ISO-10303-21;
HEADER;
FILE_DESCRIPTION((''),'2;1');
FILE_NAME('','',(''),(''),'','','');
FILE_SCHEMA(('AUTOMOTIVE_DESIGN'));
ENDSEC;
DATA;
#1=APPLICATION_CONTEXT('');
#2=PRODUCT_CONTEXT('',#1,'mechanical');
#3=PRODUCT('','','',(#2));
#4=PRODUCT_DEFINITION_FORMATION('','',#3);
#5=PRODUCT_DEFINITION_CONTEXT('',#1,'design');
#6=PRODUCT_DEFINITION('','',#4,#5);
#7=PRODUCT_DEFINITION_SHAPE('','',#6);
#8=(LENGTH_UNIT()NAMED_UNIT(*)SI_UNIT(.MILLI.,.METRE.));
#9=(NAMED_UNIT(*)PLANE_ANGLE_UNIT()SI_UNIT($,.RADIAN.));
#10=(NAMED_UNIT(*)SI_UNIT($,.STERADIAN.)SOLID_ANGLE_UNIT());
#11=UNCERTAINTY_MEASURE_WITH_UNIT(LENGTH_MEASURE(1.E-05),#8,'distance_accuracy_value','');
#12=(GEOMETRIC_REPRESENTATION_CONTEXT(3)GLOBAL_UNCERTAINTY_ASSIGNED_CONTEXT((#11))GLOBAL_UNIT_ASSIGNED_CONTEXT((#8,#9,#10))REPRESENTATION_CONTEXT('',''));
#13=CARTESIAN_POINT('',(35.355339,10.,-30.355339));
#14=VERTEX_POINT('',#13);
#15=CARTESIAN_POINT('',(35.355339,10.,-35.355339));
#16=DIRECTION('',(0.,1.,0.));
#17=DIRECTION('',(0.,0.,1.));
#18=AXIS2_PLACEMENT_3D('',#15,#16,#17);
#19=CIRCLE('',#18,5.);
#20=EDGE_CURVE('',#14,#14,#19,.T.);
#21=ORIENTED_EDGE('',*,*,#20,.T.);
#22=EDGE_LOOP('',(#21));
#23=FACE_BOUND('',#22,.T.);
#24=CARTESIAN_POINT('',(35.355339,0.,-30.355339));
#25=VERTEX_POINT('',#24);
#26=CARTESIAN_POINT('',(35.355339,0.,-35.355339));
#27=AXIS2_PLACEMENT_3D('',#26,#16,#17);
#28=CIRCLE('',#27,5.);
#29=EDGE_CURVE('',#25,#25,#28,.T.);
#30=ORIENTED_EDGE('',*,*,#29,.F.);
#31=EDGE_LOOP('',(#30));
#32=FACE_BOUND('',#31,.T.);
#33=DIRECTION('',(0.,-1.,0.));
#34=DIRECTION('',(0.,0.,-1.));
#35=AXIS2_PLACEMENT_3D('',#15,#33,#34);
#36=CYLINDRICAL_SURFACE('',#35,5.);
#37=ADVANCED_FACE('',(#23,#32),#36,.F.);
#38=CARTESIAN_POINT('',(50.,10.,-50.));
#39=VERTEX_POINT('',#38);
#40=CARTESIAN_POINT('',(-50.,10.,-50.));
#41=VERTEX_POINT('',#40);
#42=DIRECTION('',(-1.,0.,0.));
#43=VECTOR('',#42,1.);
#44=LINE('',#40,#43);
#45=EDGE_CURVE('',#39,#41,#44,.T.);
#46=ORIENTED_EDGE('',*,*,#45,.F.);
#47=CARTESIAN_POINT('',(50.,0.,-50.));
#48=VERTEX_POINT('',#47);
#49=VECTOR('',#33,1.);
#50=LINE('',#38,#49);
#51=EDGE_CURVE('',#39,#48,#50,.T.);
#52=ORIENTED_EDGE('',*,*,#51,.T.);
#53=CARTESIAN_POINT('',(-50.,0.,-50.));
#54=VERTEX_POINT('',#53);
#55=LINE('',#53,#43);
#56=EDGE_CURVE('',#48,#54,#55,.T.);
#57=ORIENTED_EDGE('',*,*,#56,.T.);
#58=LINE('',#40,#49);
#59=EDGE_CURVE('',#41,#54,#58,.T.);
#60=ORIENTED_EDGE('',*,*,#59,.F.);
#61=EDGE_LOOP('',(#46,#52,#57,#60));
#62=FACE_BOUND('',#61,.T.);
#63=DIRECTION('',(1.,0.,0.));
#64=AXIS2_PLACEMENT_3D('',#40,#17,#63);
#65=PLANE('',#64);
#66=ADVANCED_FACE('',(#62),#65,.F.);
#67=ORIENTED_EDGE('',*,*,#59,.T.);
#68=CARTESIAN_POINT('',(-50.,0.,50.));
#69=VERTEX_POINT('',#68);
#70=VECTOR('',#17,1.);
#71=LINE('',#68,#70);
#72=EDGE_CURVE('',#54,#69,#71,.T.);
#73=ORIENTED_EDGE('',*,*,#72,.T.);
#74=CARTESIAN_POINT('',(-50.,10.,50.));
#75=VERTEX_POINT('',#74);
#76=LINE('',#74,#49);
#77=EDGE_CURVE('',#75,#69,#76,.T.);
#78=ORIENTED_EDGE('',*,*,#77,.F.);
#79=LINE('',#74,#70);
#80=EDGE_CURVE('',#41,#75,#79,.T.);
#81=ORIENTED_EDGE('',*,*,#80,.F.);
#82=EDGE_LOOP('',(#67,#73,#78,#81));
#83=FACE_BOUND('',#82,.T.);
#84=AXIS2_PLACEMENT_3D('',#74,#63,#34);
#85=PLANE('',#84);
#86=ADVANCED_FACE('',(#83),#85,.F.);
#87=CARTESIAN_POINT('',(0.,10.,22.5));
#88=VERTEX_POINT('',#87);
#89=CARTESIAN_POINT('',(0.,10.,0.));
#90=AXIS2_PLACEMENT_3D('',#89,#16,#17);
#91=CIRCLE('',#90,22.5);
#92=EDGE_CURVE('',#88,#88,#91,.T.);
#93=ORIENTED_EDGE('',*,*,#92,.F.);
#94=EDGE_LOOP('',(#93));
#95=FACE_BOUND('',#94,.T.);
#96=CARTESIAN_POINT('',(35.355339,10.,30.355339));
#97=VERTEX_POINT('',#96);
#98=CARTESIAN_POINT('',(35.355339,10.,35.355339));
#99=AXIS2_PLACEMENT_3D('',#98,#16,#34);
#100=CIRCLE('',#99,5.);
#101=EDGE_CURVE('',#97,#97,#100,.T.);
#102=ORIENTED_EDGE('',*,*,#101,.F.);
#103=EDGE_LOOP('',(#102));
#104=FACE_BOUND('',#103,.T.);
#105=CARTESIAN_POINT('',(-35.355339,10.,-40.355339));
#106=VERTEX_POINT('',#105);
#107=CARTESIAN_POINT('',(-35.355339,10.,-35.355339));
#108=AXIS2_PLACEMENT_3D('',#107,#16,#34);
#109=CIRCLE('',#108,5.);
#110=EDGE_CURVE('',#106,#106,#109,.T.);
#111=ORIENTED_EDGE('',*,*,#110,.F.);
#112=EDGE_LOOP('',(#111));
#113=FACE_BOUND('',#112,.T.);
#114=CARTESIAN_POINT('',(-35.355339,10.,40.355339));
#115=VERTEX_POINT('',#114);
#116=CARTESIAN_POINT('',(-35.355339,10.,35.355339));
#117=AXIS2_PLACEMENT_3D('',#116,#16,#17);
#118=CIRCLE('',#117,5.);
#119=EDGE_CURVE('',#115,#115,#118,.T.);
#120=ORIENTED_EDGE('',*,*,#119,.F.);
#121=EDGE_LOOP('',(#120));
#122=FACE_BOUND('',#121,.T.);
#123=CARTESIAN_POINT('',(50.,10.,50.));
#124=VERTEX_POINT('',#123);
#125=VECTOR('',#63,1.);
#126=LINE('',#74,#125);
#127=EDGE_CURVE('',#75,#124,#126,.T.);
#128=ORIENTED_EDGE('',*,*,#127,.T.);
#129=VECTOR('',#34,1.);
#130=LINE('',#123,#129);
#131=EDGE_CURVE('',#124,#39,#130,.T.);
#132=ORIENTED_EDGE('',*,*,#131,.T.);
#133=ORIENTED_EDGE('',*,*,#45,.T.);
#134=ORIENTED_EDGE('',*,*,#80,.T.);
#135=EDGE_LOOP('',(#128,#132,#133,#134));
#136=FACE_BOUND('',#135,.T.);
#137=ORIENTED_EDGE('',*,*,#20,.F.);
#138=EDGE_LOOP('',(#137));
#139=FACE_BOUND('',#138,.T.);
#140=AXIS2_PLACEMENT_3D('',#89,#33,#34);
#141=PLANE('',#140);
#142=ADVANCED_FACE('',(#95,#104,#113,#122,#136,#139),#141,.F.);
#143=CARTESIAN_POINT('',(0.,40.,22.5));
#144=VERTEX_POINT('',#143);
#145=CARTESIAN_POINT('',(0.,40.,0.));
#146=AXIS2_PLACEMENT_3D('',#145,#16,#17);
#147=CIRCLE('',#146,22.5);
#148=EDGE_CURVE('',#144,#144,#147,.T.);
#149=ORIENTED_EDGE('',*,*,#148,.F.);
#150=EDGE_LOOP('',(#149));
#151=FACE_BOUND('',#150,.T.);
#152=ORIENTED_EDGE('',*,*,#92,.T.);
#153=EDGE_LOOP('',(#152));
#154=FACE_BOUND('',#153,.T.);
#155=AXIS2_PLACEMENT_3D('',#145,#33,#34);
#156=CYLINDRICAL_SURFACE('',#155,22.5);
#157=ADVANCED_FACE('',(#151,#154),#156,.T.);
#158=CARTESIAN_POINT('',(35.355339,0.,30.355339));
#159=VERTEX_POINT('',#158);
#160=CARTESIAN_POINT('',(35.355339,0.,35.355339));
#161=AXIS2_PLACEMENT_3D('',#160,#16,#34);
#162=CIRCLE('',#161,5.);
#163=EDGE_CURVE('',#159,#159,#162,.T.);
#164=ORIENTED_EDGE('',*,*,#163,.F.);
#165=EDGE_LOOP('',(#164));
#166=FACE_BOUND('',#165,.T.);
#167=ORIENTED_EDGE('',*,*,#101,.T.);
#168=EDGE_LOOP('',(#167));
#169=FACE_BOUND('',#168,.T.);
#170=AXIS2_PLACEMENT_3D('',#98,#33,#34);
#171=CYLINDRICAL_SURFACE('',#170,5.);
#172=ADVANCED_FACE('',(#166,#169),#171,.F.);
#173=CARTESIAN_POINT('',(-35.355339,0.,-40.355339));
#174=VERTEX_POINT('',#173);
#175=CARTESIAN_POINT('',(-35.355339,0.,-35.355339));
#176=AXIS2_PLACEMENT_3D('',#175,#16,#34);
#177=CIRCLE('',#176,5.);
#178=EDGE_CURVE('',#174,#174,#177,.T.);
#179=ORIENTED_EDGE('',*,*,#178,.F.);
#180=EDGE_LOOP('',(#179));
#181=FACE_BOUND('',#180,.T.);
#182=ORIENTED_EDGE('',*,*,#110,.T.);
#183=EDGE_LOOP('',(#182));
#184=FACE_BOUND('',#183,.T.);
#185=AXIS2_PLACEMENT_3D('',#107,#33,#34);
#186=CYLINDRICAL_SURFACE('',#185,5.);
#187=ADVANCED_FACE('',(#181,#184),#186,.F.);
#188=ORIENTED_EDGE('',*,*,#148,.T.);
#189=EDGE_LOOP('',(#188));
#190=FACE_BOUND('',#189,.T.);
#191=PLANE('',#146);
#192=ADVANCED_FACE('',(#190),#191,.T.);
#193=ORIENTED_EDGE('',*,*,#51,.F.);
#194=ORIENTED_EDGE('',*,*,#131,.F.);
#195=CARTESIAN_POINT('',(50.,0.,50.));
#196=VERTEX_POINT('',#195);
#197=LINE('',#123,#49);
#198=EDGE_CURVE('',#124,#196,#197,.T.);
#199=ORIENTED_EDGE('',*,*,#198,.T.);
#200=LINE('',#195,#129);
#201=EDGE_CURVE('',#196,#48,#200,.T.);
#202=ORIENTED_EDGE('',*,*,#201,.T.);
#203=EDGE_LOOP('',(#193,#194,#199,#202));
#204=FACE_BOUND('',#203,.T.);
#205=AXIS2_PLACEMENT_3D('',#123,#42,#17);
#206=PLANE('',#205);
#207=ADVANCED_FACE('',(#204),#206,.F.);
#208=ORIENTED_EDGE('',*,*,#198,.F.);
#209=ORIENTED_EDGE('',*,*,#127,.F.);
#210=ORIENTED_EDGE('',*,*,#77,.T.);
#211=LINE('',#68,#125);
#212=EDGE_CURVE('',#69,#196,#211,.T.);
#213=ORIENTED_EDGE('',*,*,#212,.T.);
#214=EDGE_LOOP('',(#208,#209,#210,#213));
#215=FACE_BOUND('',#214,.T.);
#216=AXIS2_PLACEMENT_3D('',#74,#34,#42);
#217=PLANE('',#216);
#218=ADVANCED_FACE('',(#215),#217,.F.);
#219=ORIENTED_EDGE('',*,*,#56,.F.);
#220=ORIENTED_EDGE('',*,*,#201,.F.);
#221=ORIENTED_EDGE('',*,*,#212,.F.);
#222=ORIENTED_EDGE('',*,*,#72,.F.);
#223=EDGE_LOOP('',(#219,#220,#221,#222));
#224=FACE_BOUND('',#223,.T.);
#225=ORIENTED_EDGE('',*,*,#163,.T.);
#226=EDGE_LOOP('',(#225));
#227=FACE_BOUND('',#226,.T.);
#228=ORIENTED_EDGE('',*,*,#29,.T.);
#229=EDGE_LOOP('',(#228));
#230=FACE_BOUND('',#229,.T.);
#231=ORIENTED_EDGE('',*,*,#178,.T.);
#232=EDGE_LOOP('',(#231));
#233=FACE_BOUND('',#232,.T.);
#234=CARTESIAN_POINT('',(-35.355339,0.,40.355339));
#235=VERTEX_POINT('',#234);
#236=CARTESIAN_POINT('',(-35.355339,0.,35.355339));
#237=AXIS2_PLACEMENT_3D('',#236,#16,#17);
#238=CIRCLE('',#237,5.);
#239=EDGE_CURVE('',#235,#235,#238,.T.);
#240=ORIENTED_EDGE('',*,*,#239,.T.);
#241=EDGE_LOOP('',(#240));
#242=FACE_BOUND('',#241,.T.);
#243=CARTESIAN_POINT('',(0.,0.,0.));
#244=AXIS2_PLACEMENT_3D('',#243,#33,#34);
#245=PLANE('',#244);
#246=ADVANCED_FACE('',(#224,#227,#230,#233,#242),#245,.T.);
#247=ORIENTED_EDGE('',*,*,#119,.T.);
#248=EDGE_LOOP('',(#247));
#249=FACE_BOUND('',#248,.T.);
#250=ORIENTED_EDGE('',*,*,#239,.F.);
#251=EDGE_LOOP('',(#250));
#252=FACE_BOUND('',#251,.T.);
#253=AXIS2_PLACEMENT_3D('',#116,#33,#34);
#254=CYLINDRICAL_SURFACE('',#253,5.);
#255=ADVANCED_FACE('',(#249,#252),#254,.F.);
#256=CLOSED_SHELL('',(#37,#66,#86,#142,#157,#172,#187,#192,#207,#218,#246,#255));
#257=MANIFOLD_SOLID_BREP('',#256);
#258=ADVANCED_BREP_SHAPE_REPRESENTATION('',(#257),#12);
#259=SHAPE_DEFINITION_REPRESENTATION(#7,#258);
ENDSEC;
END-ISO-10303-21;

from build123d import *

# Parameters (mm, degrees)
SKETCH1_W           = 100
SKETCH1_H           = 100
SKETCH1_R           = 5
BOSS_EXTRUDE1_DEPTH = 10
SKETCH2_R           = 22.5
BOSS_EXTRUDE2_DEPTH = 30


with BuildPart() as part:
    # Sketch1 → Boss-Extrude1 (new body)
    with BuildSketch(Plane(origin=(0, 0, 0), x_dir=(1, 0, 0), z_dir=(0, 1, 0))):
        Rectangle(SKETCH1_W, SKETCH1_H)
        with Locations(Location((35.355339059, 35.355339059, 0), (0, 0, 270))):
            Circle(SKETCH1_R, mode=Mode.SUBTRACT)
        with Locations(Location((-35.355339059, 35.355339059, 0), (0, 0, 90))):
            Circle(SKETCH1_R, mode=Mode.SUBTRACT)
        with Locations(Location((-35.355339059, -35.355339059, 0), (0, 0, 270))):
            Circle(SKETCH1_R, mode=Mode.SUBTRACT)
        with Locations(Location((35.355339059, -35.355339059, 0), (0, 0, 90))):
            Circle(SKETCH1_R, mode=Mode.SUBTRACT)
    extrude(amount=BOSS_EXTRUDE1_DEPTH)

    # Sketch2 → Boss-Extrude2 (add)
    with BuildSketch(Plane(origin=(0, 10, 0), x_dir=(1, 0, 0), z_dir=(0, 1, 0))):
        with Locations(Location((0, 0, 0), (0, 0, 270))):
            Circle(SKETCH2_R)
    extrude(amount=BOSS_EXTRUDE2_DEPTH)


solid = part.part
